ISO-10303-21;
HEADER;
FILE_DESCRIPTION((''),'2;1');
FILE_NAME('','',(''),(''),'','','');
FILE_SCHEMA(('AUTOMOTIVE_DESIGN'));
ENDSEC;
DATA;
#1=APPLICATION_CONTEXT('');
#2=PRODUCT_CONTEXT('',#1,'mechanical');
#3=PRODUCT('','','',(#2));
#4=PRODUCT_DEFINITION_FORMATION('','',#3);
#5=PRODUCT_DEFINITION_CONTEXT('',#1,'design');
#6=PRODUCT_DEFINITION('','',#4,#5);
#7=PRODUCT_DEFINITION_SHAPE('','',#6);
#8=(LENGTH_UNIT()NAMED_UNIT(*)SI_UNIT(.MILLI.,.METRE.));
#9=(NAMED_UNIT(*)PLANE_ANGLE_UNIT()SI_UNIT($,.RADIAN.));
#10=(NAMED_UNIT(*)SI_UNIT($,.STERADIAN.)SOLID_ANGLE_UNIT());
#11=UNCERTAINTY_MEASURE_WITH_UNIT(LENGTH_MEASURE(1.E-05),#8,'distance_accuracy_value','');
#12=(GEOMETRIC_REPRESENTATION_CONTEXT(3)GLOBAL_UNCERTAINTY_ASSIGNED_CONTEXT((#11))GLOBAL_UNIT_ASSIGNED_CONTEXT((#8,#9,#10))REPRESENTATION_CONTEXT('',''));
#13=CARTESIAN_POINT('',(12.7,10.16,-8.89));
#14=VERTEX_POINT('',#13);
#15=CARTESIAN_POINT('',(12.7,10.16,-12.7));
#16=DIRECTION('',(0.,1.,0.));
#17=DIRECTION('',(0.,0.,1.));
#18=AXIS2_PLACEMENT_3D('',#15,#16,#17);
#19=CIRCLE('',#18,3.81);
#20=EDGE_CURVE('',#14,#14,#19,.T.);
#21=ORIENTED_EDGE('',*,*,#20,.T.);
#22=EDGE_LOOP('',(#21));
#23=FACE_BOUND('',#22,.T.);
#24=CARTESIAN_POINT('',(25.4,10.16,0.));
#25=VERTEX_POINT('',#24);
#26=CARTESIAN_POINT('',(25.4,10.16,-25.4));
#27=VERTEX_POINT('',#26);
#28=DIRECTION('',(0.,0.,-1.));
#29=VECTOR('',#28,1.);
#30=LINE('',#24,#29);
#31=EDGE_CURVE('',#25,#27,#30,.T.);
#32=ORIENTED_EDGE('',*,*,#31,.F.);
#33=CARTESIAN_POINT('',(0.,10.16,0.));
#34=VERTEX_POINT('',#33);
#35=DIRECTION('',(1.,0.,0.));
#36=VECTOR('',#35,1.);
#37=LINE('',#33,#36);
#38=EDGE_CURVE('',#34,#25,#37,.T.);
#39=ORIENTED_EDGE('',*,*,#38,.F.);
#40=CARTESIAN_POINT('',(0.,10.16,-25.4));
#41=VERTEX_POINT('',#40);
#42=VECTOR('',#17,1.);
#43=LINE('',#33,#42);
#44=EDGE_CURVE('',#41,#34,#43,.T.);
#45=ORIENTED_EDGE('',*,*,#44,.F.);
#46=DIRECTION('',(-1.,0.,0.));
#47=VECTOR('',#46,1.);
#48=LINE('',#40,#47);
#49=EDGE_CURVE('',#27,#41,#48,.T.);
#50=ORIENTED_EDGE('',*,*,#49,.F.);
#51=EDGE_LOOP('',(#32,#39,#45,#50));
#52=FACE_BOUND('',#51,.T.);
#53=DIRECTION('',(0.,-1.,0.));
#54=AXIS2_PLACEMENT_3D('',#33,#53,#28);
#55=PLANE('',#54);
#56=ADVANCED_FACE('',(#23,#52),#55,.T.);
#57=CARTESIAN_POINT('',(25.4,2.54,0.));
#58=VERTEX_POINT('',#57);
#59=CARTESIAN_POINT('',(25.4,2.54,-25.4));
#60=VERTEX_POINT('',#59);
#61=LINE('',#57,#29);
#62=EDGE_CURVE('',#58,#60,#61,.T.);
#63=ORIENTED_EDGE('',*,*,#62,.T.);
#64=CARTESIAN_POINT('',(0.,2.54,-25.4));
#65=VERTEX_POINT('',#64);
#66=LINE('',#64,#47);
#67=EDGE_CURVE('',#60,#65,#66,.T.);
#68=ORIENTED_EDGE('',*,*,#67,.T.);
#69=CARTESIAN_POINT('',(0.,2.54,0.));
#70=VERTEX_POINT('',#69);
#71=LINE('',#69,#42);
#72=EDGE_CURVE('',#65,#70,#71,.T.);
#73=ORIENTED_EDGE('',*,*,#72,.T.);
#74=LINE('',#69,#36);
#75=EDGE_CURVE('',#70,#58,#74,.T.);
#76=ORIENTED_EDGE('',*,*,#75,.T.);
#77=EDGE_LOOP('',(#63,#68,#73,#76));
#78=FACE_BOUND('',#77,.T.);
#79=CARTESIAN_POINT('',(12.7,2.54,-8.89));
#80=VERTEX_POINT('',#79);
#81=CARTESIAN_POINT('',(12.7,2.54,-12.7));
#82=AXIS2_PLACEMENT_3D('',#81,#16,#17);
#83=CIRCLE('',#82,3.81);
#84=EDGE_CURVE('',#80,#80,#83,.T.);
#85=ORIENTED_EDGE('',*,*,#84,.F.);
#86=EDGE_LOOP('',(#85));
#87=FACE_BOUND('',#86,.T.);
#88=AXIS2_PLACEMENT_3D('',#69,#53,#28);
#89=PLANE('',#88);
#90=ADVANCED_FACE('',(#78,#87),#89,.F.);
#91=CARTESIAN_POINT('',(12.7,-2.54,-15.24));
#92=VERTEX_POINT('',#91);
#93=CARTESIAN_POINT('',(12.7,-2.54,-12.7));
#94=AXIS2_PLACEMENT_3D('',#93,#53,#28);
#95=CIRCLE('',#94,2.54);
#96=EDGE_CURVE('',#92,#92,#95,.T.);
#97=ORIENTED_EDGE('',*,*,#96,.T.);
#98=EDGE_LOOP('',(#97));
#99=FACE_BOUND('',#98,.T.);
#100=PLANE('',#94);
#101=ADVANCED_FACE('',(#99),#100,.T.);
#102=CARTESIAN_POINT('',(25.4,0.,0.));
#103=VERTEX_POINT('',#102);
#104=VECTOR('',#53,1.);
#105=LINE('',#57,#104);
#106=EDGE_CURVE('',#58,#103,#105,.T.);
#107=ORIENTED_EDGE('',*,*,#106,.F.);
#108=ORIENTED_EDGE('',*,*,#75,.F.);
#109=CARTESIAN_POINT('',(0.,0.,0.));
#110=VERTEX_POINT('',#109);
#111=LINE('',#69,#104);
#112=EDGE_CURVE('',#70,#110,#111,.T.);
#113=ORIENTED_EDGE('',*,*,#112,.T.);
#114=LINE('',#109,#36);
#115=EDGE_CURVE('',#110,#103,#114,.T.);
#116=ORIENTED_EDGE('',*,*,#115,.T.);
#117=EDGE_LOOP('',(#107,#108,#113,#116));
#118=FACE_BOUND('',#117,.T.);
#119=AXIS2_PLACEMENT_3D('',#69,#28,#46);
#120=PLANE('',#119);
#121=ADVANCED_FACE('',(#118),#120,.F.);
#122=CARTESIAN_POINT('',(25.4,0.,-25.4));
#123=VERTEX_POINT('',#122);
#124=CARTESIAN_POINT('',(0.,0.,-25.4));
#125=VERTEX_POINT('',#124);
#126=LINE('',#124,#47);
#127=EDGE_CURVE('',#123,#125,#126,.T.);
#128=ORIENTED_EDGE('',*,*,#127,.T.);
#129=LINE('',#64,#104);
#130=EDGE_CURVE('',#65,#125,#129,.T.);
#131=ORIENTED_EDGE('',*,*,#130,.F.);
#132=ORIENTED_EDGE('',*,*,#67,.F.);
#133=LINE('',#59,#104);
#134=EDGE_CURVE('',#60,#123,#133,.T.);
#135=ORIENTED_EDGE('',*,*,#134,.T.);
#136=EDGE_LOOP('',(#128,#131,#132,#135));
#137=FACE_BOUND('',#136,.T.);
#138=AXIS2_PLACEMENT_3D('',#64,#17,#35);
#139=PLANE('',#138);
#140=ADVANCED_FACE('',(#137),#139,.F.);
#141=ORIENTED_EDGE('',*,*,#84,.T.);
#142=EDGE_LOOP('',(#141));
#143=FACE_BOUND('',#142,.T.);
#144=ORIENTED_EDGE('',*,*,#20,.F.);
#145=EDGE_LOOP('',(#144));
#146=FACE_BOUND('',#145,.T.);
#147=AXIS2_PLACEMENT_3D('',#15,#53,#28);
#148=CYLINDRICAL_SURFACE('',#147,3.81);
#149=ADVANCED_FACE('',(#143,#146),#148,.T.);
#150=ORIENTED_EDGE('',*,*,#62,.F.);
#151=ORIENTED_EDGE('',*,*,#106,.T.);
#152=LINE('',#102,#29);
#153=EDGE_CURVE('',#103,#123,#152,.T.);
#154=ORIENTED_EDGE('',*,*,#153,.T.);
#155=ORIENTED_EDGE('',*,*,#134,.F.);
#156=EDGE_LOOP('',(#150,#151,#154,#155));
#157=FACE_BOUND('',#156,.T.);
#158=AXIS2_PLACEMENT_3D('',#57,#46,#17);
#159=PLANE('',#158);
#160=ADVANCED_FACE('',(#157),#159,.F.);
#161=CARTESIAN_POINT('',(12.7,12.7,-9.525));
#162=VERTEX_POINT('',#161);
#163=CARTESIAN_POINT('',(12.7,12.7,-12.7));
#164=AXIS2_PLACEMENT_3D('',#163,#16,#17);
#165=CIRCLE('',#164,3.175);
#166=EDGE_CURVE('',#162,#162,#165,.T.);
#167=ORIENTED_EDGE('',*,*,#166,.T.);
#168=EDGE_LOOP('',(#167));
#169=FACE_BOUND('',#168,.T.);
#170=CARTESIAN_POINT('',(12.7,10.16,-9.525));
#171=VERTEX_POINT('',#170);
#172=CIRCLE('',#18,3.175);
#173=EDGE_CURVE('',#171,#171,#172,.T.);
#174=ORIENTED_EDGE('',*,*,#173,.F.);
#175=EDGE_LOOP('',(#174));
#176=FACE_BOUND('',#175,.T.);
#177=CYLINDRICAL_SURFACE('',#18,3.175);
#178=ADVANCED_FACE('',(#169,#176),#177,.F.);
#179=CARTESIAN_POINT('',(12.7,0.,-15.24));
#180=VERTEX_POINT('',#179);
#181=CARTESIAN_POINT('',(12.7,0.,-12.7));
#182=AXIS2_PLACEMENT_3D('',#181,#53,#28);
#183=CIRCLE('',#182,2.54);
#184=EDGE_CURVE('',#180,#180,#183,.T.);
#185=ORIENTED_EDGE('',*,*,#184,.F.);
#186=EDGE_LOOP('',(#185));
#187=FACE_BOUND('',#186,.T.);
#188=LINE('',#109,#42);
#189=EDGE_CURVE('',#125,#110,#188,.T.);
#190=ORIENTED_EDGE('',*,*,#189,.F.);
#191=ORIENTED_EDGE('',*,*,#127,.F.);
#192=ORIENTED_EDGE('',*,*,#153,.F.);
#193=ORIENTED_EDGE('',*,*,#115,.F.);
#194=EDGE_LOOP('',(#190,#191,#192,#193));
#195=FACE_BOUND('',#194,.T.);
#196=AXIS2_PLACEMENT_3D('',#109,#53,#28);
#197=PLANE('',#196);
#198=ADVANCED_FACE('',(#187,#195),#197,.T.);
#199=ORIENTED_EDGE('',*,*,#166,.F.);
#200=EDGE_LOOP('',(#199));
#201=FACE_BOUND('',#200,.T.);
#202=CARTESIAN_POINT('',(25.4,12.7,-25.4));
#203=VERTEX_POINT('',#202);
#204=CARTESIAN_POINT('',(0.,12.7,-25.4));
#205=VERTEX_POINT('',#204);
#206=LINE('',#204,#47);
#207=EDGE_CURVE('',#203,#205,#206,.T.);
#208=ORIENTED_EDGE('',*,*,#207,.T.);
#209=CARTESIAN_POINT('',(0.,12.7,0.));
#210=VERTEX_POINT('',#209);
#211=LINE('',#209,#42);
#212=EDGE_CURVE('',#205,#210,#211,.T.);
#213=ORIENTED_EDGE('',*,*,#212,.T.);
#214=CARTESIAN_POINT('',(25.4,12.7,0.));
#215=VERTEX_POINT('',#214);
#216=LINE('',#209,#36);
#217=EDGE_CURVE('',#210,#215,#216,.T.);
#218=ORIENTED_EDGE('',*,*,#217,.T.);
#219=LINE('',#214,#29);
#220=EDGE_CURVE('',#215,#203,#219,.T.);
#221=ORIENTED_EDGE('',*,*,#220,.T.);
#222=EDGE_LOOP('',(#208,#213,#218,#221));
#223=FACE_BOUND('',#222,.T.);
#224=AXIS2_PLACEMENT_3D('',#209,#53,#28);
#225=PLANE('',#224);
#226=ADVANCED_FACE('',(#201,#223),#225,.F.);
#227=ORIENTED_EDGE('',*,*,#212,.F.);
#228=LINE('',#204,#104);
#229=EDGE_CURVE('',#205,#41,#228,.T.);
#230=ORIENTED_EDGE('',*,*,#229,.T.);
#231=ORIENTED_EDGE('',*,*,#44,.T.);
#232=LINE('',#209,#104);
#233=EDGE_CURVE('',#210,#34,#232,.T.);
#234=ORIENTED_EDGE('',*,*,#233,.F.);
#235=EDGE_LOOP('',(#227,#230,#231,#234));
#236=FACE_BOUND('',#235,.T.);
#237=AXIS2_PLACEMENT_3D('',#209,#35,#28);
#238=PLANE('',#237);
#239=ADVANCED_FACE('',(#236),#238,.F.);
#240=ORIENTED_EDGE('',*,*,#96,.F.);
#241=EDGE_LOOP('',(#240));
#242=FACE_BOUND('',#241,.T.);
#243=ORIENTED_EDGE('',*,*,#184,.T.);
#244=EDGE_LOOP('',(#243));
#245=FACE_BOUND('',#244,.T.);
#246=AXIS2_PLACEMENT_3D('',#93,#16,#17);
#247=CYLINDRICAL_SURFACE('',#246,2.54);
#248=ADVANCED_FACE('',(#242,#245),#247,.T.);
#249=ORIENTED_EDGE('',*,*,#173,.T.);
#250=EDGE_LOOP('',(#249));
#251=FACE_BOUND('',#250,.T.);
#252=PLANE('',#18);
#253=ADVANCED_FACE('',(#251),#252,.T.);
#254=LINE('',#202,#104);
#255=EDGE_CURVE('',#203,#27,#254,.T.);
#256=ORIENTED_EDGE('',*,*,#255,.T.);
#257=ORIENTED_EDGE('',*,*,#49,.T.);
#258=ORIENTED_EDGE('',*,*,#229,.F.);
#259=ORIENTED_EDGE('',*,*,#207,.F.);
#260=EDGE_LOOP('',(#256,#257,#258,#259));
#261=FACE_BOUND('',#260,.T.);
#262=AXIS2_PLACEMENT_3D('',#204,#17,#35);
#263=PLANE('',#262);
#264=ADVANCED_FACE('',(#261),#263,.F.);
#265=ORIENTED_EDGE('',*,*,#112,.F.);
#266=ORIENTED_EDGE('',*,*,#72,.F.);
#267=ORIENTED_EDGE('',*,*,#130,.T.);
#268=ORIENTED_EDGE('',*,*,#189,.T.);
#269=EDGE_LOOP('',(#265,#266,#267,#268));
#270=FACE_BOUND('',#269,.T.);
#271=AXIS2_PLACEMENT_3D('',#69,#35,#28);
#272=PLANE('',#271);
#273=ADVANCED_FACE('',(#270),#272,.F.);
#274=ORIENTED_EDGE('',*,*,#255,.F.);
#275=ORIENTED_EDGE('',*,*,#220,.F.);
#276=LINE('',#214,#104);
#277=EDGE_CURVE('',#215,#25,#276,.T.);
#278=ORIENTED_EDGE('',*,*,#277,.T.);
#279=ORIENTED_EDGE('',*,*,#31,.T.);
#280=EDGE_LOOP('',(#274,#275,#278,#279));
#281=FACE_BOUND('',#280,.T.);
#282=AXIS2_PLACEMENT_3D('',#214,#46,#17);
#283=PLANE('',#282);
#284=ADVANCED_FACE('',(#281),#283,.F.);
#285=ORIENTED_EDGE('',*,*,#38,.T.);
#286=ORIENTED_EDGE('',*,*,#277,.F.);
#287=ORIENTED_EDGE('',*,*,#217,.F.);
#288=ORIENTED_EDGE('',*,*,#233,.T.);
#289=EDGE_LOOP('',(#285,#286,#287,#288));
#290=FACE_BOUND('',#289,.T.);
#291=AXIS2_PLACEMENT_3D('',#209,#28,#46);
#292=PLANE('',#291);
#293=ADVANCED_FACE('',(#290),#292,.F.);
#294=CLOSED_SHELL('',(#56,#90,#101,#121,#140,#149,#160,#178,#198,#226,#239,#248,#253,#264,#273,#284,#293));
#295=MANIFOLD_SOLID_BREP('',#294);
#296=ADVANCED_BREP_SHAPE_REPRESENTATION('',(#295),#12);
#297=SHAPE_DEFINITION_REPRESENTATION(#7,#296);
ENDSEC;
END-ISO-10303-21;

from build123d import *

# Parameters (mm, degrees)
SKETCH1_W           = 25.4
SKETCH1_H           = 25.4
BOSS_EXTRUDE1_DEPTH = 2.54
SKETCH2_R           = 2.54
BOSS_EXTRUDE2_DEPTH = 2.54
SKETCH3_R           = 3.81
BOSS_EXTRUDE3_DEPTH = 7.62
SKETCH4_W           = 25.4
SKETCH4_H           = 25.4
BOSS_EXTRUDE4_DEPTH = 2.54
SKETCH5_R           = 3.175
CUT_EXTRUDE2_DEPTH  = 2.54


with BuildPart() as part:
    # Sketch1 → Boss-Extrude1 (new body)
    with BuildSketch(Plane(origin=(0, 0, 0), x_dir=(1, 0, 0), z_dir=(0, 1, 0))):
        with Locations((12.7, 12.7)):
            Rectangle(SKETCH1_W, SKETCH1_H)
    extrude(amount=BOSS_EXTRUDE1_DEPTH)

    # Sketch2 → Boss-Extrude2 (add)
    with BuildSketch(Plane.XZ):
        with Locations((12.7, -12.7)):
            Circle(SKETCH2_R)
    extrude(amount=BOSS_EXTRUDE2_DEPTH)

    # Sketch3 → Boss-Extrude3 (add)
    with BuildSketch(Plane(origin=(0, 2.54, 0), x_dir=(1, 0, 0), z_dir=(0, 1, 0))):
        with Locations((12.7, 12.7)):
            Circle(SKETCH3_R)
    extrude(amount=BOSS_EXTRUDE3_DEPTH)

    # Sketch4 → Boss-Extrude4 (add)
    with BuildSketch(Plane(origin=(0, 10.16, 0), x_dir=(1, 0, 0), z_dir=(0, 1, 0))):
        with Locations((12.7, 12.7)):
            Rectangle(SKETCH4_W, SKETCH4_H)
    extrude(amount=BOSS_EXTRUDE4_DEPTH)

    # Sketch5 → Cut-Extrude2 (cut)
    with BuildSketch(Plane(origin=(0, 12.7, 0), x_dir=(1, 0, 0), z_dir=(0, 1, 0))):
        with Locations((12.7, 12.7)):
            Circle(SKETCH5_R)
    extrude(amount=-CUT_EXTRUDE2_DEPTH, mode=Mode.SUBTRACT)


solid = part.part
